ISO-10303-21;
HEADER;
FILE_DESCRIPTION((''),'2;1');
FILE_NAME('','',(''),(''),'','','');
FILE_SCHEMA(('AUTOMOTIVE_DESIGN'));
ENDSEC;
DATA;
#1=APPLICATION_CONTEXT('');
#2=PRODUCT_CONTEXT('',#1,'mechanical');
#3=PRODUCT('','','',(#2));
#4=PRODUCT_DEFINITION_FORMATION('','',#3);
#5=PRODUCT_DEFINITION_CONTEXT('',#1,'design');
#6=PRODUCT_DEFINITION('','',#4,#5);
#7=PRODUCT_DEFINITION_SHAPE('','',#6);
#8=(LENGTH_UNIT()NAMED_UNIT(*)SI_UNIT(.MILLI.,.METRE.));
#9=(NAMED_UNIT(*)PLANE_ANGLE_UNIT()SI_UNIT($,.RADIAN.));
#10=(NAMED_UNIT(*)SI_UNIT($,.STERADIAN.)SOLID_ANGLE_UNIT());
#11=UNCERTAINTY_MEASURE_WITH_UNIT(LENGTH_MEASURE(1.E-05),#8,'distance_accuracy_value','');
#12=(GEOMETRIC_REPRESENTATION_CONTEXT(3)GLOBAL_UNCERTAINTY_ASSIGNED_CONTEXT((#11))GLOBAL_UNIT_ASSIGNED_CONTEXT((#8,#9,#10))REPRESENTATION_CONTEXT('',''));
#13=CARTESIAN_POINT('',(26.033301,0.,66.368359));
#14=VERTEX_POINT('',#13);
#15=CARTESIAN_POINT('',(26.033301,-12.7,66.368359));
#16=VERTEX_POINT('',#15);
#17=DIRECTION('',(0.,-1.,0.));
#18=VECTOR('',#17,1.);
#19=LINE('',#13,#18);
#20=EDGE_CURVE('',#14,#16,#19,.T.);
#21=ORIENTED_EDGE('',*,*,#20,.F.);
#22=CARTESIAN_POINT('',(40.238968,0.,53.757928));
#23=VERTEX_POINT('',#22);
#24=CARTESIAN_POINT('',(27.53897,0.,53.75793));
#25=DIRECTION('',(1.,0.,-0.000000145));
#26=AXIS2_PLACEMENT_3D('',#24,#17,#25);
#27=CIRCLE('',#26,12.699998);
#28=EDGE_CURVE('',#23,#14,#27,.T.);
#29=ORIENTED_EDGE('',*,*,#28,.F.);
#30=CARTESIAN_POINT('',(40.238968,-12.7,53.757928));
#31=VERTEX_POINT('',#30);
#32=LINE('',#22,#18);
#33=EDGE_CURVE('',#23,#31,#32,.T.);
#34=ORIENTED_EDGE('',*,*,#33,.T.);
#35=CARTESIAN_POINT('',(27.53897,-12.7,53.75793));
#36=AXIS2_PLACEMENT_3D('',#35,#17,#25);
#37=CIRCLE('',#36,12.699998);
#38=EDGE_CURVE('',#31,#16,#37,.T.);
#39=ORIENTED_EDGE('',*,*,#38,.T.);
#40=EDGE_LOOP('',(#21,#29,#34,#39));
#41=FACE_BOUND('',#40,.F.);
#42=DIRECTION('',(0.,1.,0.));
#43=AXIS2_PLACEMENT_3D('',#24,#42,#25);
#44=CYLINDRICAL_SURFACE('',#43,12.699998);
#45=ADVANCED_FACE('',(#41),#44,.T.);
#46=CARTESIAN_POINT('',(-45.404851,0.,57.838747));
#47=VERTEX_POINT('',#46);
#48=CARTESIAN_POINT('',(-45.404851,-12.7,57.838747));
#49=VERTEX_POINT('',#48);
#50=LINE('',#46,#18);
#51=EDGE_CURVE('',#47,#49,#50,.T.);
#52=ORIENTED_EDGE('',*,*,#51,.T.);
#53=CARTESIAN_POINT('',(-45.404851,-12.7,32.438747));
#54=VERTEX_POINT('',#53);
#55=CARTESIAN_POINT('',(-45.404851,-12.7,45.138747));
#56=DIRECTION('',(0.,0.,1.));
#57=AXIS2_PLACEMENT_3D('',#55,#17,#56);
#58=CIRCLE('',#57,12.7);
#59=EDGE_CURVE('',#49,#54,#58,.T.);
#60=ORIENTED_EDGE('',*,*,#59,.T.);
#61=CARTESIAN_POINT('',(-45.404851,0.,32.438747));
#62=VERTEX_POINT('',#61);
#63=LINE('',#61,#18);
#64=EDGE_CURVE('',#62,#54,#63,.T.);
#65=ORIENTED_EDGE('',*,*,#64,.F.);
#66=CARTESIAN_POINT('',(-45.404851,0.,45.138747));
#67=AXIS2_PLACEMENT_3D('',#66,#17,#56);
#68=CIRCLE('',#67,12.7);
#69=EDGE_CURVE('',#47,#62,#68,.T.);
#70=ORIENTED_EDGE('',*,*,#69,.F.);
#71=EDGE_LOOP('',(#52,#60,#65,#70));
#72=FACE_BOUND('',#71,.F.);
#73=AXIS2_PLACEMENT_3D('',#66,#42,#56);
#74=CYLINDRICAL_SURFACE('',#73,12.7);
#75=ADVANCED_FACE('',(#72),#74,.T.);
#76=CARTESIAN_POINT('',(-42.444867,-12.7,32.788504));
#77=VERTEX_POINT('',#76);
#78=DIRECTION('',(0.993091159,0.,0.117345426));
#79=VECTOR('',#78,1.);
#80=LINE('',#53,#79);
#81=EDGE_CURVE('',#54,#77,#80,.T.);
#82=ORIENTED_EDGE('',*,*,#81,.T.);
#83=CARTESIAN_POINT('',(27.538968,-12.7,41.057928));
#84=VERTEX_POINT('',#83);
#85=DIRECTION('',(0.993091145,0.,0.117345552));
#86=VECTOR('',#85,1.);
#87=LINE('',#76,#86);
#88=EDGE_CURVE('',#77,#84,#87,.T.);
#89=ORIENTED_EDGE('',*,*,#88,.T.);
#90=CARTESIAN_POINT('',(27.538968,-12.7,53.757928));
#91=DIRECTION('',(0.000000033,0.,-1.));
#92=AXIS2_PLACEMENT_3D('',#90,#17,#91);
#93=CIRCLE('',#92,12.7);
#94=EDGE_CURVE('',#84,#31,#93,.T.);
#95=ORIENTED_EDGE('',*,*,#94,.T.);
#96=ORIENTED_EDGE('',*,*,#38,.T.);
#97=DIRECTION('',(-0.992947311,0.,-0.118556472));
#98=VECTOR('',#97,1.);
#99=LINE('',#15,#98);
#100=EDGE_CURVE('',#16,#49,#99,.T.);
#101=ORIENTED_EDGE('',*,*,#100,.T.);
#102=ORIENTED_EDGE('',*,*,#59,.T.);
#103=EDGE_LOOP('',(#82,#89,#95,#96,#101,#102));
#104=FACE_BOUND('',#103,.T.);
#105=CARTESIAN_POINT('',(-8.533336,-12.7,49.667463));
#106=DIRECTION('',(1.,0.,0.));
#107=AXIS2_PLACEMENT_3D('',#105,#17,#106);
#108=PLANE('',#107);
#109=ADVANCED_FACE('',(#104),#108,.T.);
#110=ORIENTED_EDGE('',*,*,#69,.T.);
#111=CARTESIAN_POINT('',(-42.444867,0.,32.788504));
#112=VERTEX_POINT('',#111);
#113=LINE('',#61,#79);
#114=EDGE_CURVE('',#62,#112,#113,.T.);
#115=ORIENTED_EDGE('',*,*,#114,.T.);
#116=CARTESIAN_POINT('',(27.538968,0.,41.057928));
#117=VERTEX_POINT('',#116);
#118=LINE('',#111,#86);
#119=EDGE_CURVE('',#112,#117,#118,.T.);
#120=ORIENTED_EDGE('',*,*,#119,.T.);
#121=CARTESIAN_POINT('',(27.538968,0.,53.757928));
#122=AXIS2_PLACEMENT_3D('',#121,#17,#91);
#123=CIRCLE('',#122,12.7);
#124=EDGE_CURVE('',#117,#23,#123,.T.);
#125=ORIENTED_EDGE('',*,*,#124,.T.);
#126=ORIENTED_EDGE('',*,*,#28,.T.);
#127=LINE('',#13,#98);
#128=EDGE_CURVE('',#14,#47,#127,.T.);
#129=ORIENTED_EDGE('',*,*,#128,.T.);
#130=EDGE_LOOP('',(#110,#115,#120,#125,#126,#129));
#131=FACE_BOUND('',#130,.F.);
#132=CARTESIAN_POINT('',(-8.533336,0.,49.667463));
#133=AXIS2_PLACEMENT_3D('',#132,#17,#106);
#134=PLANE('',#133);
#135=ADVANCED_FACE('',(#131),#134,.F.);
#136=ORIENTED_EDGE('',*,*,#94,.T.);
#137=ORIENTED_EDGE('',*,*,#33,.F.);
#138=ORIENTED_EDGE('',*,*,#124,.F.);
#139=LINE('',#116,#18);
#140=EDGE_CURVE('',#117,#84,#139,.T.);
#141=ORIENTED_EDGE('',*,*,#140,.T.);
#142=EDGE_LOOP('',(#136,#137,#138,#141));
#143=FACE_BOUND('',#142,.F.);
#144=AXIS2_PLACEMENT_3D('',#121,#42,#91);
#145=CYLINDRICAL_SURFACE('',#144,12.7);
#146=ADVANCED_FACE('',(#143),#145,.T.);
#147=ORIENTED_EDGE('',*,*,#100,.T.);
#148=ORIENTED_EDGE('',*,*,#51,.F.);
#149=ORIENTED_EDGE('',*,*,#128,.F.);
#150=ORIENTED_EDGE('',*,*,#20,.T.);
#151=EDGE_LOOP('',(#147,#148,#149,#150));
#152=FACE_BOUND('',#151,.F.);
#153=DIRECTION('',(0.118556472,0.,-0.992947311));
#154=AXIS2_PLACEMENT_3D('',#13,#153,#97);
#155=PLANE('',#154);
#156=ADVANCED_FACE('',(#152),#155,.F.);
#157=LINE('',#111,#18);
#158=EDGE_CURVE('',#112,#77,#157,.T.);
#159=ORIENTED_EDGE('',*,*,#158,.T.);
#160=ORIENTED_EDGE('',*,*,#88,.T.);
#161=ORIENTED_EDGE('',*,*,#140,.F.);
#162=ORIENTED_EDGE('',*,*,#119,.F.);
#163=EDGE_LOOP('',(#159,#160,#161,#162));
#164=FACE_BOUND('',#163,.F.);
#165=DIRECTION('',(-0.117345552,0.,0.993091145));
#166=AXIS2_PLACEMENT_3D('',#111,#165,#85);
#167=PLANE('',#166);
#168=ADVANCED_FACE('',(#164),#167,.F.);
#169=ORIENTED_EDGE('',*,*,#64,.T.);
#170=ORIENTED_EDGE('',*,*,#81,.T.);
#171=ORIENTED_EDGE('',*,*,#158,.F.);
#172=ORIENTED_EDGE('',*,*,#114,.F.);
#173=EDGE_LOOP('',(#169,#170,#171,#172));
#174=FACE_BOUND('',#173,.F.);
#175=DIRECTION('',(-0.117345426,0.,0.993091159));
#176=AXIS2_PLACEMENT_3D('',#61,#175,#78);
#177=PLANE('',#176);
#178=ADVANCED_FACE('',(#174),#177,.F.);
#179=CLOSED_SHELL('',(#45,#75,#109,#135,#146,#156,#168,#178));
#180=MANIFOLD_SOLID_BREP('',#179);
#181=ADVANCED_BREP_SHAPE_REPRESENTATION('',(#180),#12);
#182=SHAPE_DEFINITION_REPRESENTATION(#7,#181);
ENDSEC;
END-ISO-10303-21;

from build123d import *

# Parameters (mm, degrees)
F1_DEPTH = 12.7


with BuildPart() as f1:
    # F0 (on Front) → F1 (new body)
    with BuildSketch(Plane.XZ):
        with BuildLine():
            ThreePointArc((-45.404851, 57.838747), (-36.424595, 54.119003), (-32.704851, 45.138747))
            ThreePointArc((-32.704851, 45.138747), (-35.432845, 37.274327), (-42.444867, 32.788504))
            Line((-42.444867, 32.788504), (27.538968, 41.057928))
            ThreePointArc((27.538968, 41.057928), (14.86138, 53.003764), (26.033301, 66.368359))
            Line((26.033301, 66.368359), (-45.404851, 57.838747))
        make_face()
        with BuildLine():
            ThreePointArc((-42.444867, 32.788504), (-35.432845, 37.274327), (-32.704851, 45.138747))
            ThreePointArc((-32.704851, 45.138747), (-36.424595, 54.119003), (-45.404851, 57.838747))
            ThreePointArc((-45.404851, 57.838747), (-58.104851, 45.138747), (-45.404851, 32.438747))
            Line((-45.404851, 32.438747), (-42.444867, 32.788504))
        make_face()
        with BuildLine():
            ThreePointArc((40.238968, 53.757928), (35.970102, 63.255612), (26.033301, 66.368359))
            ThreePointArc((26.033301, 66.368359), (14.86138, 53.003764), (27.538968, 41.057928))
            ThreePointArc((27.538968, 41.057928), (36.519224, 44.777672), (40.238968, 53.757928))
        make_face()
    extrude(amount=F1_DEPTH)


solid = f1.part
